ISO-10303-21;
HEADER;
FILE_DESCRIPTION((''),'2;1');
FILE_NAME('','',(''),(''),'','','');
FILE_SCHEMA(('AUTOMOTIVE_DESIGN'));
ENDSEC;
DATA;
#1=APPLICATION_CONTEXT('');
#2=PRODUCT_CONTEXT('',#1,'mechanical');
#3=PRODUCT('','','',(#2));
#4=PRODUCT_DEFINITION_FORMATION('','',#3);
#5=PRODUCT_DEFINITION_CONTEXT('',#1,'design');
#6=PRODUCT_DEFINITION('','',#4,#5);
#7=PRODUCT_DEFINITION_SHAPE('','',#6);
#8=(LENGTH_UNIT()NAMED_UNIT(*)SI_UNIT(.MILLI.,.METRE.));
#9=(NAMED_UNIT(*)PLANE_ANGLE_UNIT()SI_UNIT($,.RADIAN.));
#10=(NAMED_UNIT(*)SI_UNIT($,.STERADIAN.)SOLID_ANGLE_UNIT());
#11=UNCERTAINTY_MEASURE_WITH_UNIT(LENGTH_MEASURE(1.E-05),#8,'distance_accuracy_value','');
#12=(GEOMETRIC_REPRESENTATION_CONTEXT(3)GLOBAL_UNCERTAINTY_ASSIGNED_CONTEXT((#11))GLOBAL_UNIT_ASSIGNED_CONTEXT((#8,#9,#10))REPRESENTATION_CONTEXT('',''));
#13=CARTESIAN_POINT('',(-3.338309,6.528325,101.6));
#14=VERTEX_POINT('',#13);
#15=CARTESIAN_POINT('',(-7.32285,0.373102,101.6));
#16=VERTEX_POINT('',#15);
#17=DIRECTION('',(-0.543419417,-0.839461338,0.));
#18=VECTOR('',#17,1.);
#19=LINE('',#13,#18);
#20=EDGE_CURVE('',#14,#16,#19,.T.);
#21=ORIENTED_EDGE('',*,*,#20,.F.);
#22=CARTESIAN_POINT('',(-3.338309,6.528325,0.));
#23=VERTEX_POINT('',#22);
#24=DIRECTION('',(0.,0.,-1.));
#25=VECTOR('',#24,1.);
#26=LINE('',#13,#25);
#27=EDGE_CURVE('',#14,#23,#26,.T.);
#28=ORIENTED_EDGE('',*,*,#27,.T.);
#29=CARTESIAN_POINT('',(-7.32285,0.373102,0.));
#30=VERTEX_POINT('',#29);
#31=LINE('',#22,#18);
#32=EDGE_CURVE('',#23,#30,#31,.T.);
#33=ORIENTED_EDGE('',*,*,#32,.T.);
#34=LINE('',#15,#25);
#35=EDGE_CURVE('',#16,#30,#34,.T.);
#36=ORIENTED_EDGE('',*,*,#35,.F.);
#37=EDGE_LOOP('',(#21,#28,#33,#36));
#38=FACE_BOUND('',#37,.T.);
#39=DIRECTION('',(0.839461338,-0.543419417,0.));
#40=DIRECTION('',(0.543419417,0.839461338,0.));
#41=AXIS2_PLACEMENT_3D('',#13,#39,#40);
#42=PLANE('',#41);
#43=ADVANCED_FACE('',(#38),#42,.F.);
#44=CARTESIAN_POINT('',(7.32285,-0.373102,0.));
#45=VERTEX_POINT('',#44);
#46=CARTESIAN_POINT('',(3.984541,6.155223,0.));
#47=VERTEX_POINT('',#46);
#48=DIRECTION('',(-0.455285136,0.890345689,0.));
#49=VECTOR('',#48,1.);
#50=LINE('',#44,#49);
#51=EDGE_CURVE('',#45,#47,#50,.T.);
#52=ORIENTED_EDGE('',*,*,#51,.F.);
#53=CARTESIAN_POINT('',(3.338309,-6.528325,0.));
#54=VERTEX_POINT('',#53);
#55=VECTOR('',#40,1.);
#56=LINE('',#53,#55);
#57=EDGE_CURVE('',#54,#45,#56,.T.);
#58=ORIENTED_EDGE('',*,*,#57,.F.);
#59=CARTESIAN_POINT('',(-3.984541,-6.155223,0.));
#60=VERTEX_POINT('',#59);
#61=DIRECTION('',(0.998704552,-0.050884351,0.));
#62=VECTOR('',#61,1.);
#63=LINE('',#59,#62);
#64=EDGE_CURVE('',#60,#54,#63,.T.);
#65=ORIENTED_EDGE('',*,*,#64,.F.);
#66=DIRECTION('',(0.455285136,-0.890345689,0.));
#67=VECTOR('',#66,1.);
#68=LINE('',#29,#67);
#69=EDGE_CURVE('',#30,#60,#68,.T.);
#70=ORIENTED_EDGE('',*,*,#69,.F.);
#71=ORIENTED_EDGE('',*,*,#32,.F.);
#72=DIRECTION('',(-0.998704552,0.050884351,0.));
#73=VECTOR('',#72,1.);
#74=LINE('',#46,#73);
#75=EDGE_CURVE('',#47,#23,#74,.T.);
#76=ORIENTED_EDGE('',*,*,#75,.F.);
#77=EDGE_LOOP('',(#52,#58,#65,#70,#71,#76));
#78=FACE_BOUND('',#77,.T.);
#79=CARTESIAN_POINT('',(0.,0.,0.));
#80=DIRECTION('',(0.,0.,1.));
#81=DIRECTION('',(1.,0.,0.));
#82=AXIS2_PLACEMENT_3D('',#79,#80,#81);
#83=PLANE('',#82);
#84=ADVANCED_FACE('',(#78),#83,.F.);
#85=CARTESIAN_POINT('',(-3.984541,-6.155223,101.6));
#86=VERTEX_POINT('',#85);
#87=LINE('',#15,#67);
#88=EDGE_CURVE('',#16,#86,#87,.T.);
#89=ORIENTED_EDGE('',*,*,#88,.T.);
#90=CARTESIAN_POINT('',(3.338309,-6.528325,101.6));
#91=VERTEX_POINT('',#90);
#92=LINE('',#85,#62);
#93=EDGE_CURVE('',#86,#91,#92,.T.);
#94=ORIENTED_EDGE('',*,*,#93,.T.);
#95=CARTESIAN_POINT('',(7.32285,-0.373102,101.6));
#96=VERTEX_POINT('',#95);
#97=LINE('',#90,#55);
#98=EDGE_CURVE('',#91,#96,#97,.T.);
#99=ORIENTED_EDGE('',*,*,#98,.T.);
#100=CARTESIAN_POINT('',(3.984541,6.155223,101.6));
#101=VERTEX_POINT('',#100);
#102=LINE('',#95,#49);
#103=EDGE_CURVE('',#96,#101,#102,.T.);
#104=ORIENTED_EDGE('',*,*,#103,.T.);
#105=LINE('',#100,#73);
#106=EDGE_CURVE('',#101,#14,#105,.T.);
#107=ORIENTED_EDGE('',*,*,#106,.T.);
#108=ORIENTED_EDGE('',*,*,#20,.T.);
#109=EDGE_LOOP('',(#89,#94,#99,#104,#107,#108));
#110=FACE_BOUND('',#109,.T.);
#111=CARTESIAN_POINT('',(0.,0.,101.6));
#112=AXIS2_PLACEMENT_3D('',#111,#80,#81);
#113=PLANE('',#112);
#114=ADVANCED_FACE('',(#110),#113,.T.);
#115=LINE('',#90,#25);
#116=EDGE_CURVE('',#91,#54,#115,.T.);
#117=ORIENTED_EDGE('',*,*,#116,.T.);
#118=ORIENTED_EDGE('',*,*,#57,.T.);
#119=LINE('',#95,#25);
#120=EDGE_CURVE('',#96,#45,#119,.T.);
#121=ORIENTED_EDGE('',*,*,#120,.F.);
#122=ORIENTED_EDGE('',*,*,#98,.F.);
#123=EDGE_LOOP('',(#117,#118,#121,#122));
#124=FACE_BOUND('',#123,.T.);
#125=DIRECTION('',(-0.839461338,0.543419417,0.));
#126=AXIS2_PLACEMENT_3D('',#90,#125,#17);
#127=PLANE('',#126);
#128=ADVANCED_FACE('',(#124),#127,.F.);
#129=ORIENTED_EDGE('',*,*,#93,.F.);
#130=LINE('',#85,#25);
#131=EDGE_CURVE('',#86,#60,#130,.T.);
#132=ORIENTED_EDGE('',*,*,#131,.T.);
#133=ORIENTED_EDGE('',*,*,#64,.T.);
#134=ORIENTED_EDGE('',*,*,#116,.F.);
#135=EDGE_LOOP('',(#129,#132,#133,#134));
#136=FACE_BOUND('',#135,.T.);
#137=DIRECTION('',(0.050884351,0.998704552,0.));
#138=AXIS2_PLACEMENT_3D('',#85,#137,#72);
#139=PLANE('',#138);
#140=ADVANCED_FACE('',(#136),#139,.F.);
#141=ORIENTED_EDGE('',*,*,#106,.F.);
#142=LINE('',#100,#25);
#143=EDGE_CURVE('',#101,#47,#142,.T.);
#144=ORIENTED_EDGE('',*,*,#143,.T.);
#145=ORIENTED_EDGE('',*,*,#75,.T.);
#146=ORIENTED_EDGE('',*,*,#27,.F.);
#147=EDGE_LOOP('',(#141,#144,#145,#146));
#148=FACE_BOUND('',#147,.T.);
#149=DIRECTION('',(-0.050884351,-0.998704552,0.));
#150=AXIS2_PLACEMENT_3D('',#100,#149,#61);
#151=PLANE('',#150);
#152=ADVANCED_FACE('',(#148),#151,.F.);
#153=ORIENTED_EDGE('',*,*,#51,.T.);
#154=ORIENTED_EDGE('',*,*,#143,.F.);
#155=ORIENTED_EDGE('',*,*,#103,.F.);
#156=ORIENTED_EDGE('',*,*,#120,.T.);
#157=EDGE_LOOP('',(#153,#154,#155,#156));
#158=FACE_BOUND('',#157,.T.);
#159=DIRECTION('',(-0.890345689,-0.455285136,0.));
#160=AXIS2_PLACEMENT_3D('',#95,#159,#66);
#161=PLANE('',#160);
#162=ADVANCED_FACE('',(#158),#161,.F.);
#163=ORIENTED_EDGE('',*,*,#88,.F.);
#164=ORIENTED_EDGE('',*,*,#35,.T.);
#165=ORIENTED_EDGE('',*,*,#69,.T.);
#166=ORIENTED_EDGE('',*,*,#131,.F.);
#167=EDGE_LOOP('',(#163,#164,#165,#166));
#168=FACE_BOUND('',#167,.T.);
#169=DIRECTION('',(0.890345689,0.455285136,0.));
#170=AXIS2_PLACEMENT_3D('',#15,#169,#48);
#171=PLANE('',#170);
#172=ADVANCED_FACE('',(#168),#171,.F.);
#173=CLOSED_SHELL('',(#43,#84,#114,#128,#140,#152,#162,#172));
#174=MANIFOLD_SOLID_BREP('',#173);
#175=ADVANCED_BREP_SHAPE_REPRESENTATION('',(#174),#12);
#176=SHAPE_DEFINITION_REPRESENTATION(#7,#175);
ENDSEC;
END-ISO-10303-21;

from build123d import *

# Parameters (mm, degrees)
BOSS_EXTRUDE1_DEPTH = 101.6


with BuildPart() as part:
    # Sketch1 → Boss-Extrude1 (new body)
    with BuildSketch(Plane.XY):
        Polygon((3.984540501, 6.155223012), (-3.338309244, 6.528324802), (-7.322849745, 0.37310179), (-3.984540501, -6.155223012), (3.338309244, -6.528324802), (7.322849745, -0.37310179), align=None)
    extrude(amount=BOSS_EXTRUDE1_DEPTH)


solid = part.part
